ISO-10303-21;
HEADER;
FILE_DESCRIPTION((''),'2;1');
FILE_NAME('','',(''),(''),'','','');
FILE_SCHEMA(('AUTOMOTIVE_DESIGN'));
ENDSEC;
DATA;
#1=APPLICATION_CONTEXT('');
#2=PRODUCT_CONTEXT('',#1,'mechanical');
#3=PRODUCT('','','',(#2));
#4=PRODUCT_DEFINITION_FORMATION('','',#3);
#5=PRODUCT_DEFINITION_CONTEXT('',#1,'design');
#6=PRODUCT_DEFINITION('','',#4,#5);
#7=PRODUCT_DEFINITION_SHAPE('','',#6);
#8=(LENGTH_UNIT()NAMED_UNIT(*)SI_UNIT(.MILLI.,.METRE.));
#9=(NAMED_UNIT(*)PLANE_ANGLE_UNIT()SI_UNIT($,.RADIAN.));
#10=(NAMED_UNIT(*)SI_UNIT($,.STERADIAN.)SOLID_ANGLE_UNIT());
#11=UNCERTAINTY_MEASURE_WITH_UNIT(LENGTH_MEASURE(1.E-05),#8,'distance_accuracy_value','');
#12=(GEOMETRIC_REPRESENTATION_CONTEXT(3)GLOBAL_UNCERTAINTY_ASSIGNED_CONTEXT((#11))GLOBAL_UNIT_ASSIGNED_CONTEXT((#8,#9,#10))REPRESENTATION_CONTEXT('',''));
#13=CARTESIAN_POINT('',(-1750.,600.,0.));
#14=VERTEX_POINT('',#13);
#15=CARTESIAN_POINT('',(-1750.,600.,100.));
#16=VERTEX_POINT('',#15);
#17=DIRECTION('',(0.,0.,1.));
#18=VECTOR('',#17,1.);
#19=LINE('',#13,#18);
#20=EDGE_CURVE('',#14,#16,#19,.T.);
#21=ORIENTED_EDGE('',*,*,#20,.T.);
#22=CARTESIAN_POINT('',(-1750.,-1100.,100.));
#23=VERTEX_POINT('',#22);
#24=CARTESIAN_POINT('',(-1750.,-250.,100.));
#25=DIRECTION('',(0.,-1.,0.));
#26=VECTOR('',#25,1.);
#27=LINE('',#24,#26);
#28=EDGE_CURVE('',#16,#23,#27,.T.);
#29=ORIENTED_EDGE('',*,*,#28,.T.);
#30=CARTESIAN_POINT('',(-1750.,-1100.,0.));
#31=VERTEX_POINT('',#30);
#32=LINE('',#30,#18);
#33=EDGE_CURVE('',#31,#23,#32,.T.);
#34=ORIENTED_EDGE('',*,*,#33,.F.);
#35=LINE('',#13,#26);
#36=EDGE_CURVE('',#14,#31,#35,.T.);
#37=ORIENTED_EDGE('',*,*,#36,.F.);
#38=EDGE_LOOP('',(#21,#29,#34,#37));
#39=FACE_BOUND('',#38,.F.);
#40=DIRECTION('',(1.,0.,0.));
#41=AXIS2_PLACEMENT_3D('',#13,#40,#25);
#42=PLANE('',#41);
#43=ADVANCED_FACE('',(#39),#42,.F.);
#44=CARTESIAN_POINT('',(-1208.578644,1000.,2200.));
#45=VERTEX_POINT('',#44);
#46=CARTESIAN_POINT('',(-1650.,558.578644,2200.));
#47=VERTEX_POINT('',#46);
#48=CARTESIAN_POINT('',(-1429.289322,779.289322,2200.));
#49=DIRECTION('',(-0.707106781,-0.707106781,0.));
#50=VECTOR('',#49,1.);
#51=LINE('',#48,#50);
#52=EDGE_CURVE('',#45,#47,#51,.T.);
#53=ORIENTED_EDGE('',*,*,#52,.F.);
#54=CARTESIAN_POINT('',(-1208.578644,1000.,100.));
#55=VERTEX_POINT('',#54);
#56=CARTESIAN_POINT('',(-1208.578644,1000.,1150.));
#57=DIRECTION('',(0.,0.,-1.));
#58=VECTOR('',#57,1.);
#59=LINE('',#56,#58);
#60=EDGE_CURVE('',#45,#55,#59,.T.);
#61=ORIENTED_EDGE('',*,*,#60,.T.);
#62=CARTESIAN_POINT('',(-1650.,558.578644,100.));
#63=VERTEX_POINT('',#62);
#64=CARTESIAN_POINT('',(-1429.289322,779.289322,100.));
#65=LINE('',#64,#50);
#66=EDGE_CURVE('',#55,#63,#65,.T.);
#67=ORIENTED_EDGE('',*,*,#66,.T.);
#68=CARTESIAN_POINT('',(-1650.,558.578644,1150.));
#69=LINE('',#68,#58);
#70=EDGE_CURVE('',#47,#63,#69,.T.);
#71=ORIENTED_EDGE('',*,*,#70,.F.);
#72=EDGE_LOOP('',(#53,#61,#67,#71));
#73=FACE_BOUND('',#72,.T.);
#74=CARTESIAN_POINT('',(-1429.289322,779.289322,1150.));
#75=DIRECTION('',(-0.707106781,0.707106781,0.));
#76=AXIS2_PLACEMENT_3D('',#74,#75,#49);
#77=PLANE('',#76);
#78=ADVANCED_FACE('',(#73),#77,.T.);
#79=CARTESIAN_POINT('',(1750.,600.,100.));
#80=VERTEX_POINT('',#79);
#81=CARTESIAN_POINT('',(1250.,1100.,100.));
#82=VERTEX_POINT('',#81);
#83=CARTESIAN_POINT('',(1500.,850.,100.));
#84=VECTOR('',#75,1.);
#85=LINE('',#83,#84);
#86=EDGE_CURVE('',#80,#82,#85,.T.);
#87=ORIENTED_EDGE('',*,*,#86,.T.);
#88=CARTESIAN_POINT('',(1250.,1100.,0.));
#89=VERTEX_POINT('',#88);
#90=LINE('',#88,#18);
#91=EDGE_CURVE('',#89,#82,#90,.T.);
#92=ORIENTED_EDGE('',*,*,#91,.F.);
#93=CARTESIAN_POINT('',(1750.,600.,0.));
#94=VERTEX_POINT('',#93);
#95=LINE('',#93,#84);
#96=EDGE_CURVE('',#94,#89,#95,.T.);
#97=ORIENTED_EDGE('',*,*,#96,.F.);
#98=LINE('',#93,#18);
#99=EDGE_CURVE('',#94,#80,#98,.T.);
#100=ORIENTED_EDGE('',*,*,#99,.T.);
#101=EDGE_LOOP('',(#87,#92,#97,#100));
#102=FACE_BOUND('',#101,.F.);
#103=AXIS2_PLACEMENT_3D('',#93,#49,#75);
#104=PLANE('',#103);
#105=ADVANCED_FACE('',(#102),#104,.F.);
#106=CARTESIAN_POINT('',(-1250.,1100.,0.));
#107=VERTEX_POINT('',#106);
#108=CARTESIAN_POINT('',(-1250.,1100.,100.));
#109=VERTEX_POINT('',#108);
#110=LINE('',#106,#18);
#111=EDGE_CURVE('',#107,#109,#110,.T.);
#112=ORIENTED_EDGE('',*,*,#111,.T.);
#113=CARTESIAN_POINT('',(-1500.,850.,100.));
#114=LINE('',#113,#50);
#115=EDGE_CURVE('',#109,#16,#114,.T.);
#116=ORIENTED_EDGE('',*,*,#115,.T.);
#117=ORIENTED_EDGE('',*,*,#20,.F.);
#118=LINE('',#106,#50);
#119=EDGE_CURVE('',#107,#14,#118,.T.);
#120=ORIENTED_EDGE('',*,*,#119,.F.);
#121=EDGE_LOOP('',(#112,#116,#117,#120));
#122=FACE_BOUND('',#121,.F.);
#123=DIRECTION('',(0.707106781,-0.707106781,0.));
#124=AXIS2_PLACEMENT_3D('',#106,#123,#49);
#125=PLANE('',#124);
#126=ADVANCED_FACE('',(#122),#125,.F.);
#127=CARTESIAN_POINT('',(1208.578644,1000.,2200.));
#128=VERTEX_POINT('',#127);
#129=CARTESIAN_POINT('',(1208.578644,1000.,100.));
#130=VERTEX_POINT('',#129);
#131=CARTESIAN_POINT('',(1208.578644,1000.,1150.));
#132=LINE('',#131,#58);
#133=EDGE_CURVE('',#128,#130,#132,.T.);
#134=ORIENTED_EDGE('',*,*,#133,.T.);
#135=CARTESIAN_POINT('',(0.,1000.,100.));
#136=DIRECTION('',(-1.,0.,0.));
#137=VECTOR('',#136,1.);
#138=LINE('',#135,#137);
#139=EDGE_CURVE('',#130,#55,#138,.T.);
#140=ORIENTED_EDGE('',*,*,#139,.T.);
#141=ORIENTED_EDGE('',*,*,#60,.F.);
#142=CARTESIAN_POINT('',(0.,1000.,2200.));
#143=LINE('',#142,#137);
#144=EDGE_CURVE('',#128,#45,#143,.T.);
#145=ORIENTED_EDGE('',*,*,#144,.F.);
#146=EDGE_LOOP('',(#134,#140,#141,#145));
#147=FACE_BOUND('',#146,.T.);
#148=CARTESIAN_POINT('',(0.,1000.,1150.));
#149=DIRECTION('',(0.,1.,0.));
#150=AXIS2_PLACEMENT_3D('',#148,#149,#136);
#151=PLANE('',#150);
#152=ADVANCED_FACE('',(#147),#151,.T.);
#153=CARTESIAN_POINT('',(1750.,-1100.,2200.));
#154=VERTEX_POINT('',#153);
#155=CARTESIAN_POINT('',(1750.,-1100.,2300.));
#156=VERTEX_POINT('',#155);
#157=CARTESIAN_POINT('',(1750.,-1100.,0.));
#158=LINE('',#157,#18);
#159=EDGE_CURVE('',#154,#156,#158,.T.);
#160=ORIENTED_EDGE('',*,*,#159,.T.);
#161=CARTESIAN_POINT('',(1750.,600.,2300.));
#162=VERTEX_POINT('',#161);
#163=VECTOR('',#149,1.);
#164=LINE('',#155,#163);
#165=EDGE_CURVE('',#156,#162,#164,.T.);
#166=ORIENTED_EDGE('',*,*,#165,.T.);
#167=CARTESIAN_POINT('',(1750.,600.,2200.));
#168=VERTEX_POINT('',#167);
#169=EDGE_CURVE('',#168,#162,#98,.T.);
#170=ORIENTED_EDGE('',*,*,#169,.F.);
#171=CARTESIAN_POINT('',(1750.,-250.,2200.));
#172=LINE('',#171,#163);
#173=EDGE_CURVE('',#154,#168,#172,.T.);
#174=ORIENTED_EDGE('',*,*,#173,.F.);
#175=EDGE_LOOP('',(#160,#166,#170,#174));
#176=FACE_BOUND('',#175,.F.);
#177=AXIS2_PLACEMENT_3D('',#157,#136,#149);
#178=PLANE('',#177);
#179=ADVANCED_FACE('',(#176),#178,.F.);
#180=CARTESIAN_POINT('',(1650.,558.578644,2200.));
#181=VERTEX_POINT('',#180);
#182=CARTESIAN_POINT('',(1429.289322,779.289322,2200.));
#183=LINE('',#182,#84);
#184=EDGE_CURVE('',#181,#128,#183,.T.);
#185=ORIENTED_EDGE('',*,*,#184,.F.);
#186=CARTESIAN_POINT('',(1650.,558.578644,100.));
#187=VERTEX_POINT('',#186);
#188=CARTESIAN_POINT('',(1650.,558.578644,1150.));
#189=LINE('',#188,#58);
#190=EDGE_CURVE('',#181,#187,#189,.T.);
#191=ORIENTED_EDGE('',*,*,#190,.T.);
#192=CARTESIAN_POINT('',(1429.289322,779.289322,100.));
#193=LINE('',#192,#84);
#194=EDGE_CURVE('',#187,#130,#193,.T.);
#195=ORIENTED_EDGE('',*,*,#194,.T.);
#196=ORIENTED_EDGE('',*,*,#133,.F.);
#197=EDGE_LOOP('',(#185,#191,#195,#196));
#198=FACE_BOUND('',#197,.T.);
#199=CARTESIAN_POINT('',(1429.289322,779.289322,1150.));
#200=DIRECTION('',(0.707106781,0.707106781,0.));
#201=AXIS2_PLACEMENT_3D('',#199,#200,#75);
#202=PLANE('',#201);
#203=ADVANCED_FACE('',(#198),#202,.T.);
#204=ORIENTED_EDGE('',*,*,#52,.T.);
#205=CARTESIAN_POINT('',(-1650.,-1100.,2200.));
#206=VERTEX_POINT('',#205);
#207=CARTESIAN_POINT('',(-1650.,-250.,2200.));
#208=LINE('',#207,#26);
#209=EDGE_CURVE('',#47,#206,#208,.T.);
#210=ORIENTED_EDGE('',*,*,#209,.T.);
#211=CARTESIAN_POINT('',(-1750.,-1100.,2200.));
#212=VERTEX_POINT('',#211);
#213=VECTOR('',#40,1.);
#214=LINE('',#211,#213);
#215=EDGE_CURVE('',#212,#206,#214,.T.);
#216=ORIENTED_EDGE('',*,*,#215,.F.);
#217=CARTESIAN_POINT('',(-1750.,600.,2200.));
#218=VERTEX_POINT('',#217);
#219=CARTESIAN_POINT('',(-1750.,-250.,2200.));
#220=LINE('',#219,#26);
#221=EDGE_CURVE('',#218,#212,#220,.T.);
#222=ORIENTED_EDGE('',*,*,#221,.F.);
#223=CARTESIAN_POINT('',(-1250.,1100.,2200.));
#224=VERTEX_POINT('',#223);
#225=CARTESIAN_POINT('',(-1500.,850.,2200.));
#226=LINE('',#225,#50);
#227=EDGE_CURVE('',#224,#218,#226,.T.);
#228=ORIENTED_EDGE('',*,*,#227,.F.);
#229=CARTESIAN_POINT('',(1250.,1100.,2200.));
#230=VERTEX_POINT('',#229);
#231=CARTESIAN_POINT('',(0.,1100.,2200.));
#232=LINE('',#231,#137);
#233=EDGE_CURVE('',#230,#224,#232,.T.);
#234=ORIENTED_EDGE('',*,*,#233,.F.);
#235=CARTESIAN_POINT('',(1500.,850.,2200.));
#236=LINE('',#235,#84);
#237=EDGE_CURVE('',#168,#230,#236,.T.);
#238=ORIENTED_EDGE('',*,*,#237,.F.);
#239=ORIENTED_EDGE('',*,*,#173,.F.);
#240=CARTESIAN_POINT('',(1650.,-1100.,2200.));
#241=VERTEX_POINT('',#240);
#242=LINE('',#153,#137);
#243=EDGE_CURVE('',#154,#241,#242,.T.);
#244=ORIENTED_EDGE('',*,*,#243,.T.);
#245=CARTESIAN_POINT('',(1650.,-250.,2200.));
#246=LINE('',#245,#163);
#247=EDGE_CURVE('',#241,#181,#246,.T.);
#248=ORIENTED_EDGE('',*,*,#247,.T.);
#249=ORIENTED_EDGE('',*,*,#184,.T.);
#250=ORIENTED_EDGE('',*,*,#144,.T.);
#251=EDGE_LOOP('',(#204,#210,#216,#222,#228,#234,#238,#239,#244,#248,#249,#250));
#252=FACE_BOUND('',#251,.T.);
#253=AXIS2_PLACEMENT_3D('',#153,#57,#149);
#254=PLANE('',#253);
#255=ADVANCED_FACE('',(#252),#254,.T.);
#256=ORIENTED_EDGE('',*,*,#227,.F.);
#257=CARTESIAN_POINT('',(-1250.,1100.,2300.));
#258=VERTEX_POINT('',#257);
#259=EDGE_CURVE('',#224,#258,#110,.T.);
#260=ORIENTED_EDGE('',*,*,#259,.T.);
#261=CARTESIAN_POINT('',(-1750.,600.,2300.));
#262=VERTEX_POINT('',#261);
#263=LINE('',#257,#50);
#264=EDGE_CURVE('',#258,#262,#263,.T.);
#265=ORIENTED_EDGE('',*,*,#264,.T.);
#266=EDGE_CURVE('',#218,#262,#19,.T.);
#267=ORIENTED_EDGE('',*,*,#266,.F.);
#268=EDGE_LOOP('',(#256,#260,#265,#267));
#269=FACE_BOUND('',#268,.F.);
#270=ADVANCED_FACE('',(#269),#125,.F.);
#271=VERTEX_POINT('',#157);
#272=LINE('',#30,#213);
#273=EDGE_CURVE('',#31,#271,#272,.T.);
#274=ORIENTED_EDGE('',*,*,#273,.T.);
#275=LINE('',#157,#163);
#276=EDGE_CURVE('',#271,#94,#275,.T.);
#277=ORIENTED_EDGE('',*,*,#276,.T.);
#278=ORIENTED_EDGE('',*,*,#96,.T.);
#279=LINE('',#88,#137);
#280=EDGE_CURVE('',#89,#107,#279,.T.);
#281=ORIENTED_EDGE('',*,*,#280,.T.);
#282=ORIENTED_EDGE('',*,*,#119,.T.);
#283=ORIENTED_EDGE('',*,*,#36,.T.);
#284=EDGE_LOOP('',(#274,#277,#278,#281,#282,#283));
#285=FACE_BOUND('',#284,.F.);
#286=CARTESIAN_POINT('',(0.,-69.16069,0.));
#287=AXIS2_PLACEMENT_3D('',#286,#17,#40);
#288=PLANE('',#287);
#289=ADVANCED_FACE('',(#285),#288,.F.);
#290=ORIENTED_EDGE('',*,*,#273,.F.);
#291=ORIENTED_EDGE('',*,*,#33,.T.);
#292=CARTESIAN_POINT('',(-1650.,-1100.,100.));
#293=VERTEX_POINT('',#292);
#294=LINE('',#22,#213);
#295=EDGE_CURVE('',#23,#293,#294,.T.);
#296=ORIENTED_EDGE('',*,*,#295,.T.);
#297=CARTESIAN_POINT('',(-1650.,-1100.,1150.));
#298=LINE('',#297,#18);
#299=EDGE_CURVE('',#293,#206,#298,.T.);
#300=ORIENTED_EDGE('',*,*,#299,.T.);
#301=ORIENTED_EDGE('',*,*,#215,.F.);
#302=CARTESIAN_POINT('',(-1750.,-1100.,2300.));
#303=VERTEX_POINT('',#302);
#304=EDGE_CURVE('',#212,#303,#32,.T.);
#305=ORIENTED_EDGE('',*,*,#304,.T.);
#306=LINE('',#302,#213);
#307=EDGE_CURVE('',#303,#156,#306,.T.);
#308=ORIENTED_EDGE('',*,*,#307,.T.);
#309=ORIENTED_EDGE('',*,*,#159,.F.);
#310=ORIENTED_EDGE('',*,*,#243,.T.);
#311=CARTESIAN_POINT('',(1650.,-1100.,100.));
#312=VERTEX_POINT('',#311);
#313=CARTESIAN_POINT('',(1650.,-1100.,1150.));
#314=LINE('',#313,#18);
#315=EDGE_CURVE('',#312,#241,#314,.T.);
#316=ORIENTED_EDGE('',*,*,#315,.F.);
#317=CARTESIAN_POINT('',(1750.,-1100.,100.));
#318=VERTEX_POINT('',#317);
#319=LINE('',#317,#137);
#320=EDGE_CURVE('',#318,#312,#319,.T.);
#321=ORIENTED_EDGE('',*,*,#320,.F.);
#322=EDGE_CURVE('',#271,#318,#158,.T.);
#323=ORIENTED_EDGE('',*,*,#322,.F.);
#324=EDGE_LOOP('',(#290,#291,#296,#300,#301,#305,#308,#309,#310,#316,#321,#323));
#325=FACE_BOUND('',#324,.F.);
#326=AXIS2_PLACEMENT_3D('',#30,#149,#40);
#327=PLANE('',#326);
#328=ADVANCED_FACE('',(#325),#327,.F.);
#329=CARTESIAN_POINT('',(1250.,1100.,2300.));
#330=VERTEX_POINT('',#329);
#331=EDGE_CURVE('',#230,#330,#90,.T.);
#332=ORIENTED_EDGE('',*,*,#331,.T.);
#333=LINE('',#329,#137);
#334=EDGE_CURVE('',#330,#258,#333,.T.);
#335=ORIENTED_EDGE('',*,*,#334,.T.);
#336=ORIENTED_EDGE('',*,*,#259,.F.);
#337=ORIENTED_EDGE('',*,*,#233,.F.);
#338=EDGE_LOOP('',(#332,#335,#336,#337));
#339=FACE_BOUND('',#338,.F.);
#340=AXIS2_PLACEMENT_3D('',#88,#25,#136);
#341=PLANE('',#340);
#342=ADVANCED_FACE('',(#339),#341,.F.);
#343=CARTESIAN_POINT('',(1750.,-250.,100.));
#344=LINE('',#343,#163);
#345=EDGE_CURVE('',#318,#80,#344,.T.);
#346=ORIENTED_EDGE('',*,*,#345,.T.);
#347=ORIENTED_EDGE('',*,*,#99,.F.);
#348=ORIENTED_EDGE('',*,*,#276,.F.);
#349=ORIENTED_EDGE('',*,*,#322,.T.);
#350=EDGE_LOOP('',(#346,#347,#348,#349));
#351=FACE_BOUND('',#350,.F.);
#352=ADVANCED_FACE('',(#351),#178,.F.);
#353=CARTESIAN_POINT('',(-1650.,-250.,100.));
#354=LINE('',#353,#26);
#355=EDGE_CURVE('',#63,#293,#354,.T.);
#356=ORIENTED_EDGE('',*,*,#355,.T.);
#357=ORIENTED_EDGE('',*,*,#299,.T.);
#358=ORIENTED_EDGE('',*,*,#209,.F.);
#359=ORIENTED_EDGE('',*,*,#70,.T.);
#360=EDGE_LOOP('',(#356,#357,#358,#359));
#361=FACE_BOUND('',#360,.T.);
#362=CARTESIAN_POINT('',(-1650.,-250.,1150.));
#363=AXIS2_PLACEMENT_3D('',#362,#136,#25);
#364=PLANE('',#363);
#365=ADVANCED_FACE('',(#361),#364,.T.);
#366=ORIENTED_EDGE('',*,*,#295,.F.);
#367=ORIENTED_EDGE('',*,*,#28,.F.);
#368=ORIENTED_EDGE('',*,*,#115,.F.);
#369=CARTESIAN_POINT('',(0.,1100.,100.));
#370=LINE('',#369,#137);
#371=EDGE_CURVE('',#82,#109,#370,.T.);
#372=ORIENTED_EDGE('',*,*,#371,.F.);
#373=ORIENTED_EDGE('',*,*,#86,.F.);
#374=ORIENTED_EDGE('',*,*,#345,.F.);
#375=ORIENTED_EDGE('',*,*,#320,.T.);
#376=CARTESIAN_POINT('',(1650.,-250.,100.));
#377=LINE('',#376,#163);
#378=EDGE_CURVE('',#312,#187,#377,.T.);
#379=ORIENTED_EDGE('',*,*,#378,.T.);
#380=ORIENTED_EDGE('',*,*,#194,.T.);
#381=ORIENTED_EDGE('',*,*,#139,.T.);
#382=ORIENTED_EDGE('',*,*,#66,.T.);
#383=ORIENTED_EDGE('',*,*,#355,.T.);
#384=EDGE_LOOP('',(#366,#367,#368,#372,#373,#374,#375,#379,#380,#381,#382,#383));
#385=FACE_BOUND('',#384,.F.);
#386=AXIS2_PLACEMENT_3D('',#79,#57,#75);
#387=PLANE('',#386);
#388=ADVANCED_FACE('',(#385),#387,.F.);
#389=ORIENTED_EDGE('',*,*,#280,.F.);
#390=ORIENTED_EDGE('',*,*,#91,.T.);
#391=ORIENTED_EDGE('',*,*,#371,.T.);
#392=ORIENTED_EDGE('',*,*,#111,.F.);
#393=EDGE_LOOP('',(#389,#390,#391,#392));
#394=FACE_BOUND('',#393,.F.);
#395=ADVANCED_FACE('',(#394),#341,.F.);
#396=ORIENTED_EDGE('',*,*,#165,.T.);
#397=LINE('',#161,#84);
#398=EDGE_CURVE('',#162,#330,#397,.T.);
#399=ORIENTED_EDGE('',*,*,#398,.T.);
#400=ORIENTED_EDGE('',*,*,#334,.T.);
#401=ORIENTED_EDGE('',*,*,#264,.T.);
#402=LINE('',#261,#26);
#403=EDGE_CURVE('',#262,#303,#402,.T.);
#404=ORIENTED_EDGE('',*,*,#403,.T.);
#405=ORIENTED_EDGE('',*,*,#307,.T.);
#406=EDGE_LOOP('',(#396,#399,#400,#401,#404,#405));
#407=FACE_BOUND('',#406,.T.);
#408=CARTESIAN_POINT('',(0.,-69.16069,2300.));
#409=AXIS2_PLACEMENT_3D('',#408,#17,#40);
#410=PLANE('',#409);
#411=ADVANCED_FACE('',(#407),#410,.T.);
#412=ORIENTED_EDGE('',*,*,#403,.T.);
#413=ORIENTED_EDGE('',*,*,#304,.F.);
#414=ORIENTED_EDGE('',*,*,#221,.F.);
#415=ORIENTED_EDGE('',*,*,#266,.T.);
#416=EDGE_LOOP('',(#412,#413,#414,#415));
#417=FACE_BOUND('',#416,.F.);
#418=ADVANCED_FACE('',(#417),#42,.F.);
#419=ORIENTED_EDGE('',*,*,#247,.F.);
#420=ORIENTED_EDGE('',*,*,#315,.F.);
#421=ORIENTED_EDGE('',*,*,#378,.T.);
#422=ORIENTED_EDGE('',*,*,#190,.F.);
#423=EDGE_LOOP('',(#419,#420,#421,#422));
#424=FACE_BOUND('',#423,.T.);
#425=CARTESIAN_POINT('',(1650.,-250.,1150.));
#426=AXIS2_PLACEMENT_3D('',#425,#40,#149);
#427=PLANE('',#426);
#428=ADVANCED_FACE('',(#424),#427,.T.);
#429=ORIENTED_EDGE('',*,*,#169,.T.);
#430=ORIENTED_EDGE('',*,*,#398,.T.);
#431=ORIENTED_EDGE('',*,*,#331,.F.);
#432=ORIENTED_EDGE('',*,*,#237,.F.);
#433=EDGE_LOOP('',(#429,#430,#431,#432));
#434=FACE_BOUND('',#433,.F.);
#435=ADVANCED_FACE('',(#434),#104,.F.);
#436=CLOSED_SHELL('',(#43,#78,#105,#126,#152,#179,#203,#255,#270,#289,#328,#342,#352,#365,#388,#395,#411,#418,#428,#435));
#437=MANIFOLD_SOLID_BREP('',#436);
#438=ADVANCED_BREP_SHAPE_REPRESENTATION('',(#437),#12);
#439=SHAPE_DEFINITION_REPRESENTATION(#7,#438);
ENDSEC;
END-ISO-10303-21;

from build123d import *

# Parameters (mm, degrees)
F1_DEPTH  = 2300
F2_W      = 1700
F2_H      = 2100
F3_DEPTH  = 100
F4_W      = 707.1067811865
F4_H      = 2100
F5_DEPTH  = 100
F6_W      = 2500
F6_H      = 2100
F7_DEPTH  = 100
F8_W      = 707.1067811865
F8_H      = 2100
F9_DEPTH  = 100
F10_W     = 1700
F10_H     = 2100
F11_DEPTH = 100


with BuildPart() as f1:
    # F0 (on Top) → F1 (new body)
    with BuildSketch(Plane.XY):
        Polygon((1750, 600), (1250, 1100), (-1250, 1100), (-1750, 600), (-1750, -1100), (1750, -1100), align=None)
    extrude(amount=F1_DEPTH)

    # F2 (on face) → F3 (cut)
    with BuildSketch(Plane(origin=(-1750, 0, 0), x_dir=(0, -1, 0), z_dir=(-1, 0, 0))):
        with Locations((250, 1150)):
            Rectangle(F2_W, F2_H)
    extrude(amount=-F3_DEPTH, mode=Mode.SUBTRACT)

    # F4 (on face) → F5 (cut)
    with BuildSketch(Plane(origin=(-1175, 1175, 0), x_dir=(-0.7071067812, -0.7071067812, 0), z_dir=(-0.7071067812, 0.7071067812, 0))):
        with Locations((459.6194077713, 1150)):
            Rectangle(F4_W, F4_H)
    extrude(amount=-F5_DEPTH, mode=Mode.SUBTRACT)

    # F6 (on face) → F7 (cut)
    with BuildSketch(Plane(origin=(0, 1100, 0), x_dir=(-1, 0, 0), z_dir=(0, 1, 0))):
        with Locations((0, 1150)):
            Rectangle(F6_W, F6_H)
    extrude(amount=-F7_DEPTH, mode=Mode.SUBTRACT)

    # F8 (on face) → F9 (cut)
    with BuildSketch(Plane(origin=(1175, 1175, 0), x_dir=(-0.7071067812, 0.7071067812, 0), z_dir=(0.7071067812, 0.7071067812, 0))):
        with Locations((-459.6194077713, 1150)):
            Rectangle(F8_W, F8_H)
    extrude(amount=-F9_DEPTH, mode=Mode.SUBTRACT)

    # F10 (on face) → F11 (cut)
    with BuildSketch(Plane.YZ.offset(1750)):
        with Locations((-250, 1150)):
            Rectangle(F10_W, F10_H)
    extrude(amount=-F11_DEPTH, mode=Mode.SUBTRACT)


solid = f1.part
